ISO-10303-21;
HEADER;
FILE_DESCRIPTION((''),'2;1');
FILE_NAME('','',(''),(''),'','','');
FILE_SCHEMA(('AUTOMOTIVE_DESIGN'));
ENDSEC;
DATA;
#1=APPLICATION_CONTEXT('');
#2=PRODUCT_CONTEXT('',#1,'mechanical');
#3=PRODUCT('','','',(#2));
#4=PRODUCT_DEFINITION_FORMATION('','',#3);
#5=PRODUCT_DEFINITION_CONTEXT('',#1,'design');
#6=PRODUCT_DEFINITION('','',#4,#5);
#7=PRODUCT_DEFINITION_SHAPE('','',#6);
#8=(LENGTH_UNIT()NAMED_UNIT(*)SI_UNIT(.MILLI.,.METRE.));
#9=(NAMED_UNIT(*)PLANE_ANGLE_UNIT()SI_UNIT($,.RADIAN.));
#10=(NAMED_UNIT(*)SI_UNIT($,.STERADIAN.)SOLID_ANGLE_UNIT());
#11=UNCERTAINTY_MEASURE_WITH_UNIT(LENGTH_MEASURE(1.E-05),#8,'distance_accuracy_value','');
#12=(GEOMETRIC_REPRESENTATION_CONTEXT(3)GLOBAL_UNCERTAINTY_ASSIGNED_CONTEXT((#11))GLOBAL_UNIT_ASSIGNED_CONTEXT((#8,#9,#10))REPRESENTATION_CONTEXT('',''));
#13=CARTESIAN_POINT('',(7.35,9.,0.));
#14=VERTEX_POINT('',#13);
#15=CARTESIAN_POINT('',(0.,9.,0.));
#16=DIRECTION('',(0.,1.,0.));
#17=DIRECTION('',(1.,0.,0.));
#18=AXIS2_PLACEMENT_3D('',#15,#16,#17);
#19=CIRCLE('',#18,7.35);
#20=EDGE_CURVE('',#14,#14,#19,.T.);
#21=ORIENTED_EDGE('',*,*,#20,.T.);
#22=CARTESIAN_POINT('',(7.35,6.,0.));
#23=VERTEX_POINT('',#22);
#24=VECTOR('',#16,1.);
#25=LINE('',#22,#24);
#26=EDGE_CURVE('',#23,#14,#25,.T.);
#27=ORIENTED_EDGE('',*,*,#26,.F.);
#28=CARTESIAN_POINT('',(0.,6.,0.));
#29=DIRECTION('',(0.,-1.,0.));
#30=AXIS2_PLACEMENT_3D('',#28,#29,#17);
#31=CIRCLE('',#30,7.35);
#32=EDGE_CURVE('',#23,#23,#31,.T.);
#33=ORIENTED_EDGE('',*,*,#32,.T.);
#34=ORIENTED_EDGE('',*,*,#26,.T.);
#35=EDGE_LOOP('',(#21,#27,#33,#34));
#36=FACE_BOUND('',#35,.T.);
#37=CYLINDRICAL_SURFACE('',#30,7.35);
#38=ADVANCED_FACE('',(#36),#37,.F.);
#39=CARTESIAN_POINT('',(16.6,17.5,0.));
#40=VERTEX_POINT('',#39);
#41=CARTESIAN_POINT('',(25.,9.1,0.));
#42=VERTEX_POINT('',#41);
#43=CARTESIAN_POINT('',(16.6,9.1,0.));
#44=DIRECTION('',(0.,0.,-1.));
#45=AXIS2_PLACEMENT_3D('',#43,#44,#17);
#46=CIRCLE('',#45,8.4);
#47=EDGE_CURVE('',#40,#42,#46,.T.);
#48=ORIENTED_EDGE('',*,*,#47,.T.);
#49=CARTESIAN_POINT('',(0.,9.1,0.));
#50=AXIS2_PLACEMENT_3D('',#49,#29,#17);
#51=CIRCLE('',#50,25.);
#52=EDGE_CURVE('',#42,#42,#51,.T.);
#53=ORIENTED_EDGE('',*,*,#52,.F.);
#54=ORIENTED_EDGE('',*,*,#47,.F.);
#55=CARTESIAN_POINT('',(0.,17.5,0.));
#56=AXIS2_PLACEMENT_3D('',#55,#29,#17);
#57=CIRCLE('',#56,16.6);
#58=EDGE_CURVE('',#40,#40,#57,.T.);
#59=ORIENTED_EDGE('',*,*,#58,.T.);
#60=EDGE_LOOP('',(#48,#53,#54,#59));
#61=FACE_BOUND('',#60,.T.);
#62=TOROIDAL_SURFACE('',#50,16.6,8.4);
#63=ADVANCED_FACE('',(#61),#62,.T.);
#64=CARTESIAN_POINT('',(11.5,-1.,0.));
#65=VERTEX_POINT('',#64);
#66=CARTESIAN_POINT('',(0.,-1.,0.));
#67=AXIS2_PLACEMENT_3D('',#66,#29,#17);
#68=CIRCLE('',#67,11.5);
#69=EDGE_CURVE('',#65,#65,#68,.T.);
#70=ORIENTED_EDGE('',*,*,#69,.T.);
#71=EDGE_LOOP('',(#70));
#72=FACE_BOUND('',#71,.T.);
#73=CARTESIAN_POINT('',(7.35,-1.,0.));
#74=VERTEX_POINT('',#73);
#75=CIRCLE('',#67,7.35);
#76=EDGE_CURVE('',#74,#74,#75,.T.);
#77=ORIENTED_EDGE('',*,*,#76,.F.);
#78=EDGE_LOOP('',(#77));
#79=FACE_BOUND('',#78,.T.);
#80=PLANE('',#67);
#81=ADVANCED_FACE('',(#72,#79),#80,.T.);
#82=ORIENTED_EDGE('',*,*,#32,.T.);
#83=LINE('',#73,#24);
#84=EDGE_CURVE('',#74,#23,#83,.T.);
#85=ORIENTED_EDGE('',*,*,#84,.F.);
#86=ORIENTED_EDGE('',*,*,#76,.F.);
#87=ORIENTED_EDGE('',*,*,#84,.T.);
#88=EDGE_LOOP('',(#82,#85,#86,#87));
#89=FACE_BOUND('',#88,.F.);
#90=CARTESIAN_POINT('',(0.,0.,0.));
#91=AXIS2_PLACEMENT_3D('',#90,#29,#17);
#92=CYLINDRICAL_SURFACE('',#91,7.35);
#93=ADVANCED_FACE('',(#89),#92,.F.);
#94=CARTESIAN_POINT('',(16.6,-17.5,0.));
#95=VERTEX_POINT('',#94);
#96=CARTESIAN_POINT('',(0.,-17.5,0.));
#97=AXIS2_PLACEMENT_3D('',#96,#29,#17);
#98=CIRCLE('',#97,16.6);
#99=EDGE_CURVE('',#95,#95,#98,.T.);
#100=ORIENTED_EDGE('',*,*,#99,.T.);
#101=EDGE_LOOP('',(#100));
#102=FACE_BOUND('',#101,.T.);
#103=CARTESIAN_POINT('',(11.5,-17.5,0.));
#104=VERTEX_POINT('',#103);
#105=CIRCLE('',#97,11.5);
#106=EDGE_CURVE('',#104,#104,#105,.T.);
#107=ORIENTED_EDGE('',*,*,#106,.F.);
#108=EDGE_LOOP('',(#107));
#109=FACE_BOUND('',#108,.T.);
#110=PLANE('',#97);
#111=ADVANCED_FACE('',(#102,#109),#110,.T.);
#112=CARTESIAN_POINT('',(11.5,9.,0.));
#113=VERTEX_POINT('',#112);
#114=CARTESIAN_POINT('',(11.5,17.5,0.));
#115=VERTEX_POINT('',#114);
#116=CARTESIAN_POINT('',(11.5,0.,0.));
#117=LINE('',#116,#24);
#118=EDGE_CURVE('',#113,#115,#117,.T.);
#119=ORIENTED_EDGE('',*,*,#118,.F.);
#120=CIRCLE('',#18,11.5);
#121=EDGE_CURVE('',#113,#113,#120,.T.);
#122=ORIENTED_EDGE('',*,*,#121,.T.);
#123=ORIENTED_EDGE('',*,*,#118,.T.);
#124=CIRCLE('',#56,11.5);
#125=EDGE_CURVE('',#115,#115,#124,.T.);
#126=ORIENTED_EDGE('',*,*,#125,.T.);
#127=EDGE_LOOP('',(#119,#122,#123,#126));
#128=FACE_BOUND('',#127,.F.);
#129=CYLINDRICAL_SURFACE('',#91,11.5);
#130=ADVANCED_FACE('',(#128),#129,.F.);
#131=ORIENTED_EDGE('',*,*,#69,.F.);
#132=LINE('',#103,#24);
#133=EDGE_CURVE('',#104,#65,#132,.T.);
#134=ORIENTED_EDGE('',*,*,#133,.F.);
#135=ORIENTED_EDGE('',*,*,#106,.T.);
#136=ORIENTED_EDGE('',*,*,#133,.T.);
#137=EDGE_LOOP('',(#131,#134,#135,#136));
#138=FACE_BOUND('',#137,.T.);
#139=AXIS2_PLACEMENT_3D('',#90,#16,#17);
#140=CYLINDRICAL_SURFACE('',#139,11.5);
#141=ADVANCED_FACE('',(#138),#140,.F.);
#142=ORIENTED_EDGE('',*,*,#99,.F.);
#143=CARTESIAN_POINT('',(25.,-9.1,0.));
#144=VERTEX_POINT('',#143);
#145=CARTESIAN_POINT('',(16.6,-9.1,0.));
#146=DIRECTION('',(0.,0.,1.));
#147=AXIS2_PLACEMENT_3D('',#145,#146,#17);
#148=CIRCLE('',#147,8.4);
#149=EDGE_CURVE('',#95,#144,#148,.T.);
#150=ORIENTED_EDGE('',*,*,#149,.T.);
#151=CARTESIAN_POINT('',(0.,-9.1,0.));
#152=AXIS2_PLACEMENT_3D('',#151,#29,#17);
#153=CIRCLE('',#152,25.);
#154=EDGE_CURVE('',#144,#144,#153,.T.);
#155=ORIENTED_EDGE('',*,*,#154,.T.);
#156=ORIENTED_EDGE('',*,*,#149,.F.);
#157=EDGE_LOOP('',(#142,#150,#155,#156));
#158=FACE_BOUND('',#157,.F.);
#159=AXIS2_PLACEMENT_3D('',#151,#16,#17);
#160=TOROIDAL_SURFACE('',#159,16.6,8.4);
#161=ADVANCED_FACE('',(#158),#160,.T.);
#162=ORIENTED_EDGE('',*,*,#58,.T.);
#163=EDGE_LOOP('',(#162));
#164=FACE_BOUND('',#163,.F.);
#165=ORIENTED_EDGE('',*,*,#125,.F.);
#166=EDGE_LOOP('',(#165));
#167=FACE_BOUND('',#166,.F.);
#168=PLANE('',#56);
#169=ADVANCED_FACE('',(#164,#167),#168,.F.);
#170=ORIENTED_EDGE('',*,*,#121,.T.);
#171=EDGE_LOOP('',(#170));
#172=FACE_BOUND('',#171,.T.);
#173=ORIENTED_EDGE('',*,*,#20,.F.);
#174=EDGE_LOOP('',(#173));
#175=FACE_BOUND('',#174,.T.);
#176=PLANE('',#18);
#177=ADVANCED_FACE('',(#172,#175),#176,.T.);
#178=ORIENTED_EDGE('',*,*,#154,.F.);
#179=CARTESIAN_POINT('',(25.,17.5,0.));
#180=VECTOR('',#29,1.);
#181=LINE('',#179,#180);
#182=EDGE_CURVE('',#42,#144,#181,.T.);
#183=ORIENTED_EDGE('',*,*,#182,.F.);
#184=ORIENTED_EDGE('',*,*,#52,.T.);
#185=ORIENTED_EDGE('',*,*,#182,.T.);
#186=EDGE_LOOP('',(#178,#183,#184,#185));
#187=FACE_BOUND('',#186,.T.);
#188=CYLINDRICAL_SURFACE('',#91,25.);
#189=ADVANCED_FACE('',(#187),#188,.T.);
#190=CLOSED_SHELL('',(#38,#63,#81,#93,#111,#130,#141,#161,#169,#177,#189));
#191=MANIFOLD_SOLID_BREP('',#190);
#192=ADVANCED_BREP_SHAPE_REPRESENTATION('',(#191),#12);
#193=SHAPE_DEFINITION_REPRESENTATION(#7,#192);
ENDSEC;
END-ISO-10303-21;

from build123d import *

# Parameters (mm, degrees)
F0_R          = 25
F0_R_2        = 11.5
F1_DEPTH      = 17.5
F1_DEPTH_BACK = 17.5
F0_R_3        = 7.35
F2_DEPTH      = 6
F3_DEPTH      = 6
F4_R          = 8.4
F2_FACE_R     = 11.5
F2_FACE_R_2   = 7.35
F6_DEPTH      = 5
F3_FACE_R     = 11.5
F3_FACE_R_2   = 7.35
F7_DEPTH      = 3


with BuildPart() as f1:
    # F0 (on Front) → F1 (new body, two sides)
    with BuildSketch(Plane.XZ) as f1_sk:
        Circle(F0_R)
        Circle(F0_R_2, mode=Mode.SUBTRACT)
    extrude(amount=F1_DEPTH)
    extrude(f1_sk.sketch, amount=-F1_DEPTH_BACK)

    # F0 (on Front) → F2 (join)
    with BuildSketch(Plane.XZ):
        Circle(F0_R_2)
        Circle(F0_R_3, mode=Mode.SUBTRACT)
    extrude(amount=F2_DEPTH)

    # F0 (on Front) → F3 (join)
    with BuildSketch(Plane.XZ):
        Circle(F0_R_2)
        Circle(F0_R_3, mode=Mode.SUBTRACT)
    extrude(amount=-F3_DEPTH)

    # F4
    f4_edges = [f1.edges().sort_by_distance(p)[0] for p in [
        (-25, -17.5, 0),
        (-25, 17.5, 0),
    ]]
    fillet(f4_edges, radius=F4_R)

    # F2_face (on face) → F6 (cut)
    with BuildSketch(Plane.XZ.offset(6)):
        Circle(F2_FACE_R)
        Circle(F2_FACE_R_2, mode=Mode.SUBTRACT)
    extrude(amount=-F6_DEPTH, mode=Mode.SUBTRACT)

    # F3_face (on face) → F7 (join)
    with BuildSketch(Plane(origin=(0, 6, 0), x_dir=(1, 0, 0), z_dir=(0, 1, 0))):
        Circle(F3_FACE_R)
        Circle(F3_FACE_R_2, mode=Mode.SUBTRACT)
    extrude(amount=F7_DEPTH)


solid = f1.part
